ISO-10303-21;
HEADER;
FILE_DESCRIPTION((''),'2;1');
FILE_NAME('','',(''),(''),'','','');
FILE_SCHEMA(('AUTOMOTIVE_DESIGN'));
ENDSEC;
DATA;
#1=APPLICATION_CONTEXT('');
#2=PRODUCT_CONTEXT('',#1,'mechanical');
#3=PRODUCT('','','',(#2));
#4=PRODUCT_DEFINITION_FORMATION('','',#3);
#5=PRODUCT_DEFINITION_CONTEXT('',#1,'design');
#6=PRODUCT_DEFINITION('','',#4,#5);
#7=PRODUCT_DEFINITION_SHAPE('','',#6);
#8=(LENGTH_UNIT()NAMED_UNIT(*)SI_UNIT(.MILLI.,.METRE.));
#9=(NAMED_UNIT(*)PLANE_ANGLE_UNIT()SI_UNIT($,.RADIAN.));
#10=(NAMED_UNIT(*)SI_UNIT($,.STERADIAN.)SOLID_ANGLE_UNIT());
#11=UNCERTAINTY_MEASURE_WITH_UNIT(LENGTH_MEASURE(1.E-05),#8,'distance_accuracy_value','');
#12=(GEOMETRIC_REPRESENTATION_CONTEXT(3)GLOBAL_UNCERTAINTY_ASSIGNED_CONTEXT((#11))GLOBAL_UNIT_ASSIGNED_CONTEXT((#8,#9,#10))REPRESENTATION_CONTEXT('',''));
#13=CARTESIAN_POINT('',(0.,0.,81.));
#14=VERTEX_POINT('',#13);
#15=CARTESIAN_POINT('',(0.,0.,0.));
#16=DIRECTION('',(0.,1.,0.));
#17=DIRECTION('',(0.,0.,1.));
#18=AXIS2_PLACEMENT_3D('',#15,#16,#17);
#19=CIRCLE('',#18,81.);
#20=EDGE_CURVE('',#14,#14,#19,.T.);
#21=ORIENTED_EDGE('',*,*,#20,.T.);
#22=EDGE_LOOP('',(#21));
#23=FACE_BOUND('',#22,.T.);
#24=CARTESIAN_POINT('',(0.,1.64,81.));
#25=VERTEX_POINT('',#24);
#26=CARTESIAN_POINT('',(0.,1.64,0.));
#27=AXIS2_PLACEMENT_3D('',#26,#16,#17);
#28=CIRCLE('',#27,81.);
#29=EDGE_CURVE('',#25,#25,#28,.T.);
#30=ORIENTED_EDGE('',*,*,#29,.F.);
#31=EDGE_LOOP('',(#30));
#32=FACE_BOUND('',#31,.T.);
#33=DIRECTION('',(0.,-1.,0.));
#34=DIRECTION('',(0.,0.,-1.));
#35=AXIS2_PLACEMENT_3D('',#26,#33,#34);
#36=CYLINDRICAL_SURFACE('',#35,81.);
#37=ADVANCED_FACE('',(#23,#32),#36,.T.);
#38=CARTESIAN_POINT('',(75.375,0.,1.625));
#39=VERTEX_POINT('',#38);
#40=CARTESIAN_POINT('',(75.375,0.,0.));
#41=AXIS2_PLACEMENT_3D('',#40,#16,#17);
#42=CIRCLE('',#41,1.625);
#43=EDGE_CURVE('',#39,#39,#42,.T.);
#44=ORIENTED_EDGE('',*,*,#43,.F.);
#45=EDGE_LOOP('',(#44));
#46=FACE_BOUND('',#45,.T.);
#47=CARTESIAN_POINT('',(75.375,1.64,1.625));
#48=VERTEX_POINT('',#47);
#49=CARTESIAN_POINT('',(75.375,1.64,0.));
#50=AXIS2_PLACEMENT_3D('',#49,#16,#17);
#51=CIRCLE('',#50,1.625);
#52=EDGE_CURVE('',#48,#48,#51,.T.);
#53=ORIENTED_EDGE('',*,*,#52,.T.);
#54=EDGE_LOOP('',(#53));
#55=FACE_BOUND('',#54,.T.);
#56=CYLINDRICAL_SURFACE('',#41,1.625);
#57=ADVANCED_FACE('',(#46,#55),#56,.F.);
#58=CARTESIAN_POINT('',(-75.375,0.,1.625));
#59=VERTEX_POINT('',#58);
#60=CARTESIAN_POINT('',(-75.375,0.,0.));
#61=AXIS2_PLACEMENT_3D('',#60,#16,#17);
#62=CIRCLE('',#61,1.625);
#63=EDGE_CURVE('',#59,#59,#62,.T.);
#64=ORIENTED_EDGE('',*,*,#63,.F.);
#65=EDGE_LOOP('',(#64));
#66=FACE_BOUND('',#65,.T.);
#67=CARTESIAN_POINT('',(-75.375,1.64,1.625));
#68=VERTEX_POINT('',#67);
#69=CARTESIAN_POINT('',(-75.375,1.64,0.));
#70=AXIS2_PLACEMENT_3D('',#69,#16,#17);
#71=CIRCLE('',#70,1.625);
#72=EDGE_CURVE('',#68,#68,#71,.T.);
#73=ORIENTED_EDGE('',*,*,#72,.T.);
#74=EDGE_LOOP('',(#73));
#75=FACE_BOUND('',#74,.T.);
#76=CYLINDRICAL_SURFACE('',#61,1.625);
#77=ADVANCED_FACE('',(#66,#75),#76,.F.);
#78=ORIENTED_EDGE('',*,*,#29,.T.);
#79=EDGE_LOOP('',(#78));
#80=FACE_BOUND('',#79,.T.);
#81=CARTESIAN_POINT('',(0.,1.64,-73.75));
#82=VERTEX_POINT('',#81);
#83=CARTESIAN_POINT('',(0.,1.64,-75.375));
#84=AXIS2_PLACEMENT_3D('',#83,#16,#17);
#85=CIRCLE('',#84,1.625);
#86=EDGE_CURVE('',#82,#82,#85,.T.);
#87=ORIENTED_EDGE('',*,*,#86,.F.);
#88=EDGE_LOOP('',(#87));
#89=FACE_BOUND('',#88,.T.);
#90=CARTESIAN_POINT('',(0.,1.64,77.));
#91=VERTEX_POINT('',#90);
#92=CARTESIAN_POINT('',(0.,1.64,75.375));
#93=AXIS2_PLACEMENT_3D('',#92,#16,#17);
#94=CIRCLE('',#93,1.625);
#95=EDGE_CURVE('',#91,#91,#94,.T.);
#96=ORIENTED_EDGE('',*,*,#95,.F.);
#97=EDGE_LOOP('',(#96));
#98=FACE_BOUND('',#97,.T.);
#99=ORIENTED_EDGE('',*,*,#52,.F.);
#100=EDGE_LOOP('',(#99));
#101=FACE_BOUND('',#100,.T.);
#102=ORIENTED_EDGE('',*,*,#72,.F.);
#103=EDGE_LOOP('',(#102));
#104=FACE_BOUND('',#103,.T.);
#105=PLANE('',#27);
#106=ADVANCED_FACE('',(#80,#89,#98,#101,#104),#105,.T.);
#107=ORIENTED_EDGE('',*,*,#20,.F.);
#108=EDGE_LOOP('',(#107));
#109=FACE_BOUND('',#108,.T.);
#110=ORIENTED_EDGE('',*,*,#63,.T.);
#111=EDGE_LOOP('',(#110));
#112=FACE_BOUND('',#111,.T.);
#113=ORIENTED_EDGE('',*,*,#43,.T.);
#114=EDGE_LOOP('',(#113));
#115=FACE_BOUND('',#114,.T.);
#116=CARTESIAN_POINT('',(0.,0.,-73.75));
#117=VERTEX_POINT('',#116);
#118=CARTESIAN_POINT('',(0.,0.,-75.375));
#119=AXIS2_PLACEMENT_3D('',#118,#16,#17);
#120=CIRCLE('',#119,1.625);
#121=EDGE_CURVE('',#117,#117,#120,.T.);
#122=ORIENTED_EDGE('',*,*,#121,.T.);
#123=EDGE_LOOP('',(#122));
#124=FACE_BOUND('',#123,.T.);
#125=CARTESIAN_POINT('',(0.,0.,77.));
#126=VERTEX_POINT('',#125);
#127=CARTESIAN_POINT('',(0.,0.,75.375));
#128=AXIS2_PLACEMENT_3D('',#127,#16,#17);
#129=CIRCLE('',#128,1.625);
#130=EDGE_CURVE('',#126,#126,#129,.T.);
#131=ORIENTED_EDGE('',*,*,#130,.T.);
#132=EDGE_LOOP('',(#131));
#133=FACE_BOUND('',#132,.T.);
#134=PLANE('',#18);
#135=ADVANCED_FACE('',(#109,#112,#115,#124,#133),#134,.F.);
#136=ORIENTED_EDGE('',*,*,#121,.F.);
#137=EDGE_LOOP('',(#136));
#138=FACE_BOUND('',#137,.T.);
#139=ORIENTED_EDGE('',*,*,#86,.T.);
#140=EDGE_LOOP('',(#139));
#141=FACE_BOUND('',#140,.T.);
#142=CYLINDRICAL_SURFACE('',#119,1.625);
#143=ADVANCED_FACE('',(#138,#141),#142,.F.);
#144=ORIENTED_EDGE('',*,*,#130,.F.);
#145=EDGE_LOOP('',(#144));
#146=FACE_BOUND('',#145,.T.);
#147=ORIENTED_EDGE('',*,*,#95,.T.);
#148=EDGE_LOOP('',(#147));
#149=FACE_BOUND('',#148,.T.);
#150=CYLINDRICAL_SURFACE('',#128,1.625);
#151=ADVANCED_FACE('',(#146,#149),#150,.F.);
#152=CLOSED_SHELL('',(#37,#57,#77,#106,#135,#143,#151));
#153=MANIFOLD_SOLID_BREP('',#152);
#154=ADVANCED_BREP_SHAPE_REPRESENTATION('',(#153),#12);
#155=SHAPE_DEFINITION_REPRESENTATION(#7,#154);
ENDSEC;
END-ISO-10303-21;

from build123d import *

# Parameters (mm, degrees)
SKETCH1_R           = 81
BOSS_EXTRUDE1_DEPTH = 1.64
SKETCH2_R           = 1.625
CUT_EXTRUDE1_DEPTH  = 2.64


with BuildPart() as part:
    # Sketch1 → Boss-Extrude1 (new body)
    with BuildSketch(Plane(origin=(0, 0, 0), x_dir=(1, 0, 0), z_dir=(0, 1, 0))):
        Circle(SKETCH1_R)
    extrude(amount=BOSS_EXTRUDE1_DEPTH)

    # Sketch2 → Cut-Extrude1 (cut, through all)
    with BuildSketch(Plane(origin=(0, 1.64, 0), x_dir=(1, 0, 0), z_dir=(0, 1, 0))):
        with Locations((0, -75.375)):
            Circle(SKETCH2_R)
        with Locations((-75.375, 0)):
            Circle(SKETCH2_R)
        with Locations((0, 75.375)):
            Circle(SKETCH2_R)
        with Locations((75.375, 0)):
            Circle(SKETCH2_R)
    extrude(amount=-CUT_EXTRUDE1_DEPTH, mode=Mode.SUBTRACT)


solid = part.part
